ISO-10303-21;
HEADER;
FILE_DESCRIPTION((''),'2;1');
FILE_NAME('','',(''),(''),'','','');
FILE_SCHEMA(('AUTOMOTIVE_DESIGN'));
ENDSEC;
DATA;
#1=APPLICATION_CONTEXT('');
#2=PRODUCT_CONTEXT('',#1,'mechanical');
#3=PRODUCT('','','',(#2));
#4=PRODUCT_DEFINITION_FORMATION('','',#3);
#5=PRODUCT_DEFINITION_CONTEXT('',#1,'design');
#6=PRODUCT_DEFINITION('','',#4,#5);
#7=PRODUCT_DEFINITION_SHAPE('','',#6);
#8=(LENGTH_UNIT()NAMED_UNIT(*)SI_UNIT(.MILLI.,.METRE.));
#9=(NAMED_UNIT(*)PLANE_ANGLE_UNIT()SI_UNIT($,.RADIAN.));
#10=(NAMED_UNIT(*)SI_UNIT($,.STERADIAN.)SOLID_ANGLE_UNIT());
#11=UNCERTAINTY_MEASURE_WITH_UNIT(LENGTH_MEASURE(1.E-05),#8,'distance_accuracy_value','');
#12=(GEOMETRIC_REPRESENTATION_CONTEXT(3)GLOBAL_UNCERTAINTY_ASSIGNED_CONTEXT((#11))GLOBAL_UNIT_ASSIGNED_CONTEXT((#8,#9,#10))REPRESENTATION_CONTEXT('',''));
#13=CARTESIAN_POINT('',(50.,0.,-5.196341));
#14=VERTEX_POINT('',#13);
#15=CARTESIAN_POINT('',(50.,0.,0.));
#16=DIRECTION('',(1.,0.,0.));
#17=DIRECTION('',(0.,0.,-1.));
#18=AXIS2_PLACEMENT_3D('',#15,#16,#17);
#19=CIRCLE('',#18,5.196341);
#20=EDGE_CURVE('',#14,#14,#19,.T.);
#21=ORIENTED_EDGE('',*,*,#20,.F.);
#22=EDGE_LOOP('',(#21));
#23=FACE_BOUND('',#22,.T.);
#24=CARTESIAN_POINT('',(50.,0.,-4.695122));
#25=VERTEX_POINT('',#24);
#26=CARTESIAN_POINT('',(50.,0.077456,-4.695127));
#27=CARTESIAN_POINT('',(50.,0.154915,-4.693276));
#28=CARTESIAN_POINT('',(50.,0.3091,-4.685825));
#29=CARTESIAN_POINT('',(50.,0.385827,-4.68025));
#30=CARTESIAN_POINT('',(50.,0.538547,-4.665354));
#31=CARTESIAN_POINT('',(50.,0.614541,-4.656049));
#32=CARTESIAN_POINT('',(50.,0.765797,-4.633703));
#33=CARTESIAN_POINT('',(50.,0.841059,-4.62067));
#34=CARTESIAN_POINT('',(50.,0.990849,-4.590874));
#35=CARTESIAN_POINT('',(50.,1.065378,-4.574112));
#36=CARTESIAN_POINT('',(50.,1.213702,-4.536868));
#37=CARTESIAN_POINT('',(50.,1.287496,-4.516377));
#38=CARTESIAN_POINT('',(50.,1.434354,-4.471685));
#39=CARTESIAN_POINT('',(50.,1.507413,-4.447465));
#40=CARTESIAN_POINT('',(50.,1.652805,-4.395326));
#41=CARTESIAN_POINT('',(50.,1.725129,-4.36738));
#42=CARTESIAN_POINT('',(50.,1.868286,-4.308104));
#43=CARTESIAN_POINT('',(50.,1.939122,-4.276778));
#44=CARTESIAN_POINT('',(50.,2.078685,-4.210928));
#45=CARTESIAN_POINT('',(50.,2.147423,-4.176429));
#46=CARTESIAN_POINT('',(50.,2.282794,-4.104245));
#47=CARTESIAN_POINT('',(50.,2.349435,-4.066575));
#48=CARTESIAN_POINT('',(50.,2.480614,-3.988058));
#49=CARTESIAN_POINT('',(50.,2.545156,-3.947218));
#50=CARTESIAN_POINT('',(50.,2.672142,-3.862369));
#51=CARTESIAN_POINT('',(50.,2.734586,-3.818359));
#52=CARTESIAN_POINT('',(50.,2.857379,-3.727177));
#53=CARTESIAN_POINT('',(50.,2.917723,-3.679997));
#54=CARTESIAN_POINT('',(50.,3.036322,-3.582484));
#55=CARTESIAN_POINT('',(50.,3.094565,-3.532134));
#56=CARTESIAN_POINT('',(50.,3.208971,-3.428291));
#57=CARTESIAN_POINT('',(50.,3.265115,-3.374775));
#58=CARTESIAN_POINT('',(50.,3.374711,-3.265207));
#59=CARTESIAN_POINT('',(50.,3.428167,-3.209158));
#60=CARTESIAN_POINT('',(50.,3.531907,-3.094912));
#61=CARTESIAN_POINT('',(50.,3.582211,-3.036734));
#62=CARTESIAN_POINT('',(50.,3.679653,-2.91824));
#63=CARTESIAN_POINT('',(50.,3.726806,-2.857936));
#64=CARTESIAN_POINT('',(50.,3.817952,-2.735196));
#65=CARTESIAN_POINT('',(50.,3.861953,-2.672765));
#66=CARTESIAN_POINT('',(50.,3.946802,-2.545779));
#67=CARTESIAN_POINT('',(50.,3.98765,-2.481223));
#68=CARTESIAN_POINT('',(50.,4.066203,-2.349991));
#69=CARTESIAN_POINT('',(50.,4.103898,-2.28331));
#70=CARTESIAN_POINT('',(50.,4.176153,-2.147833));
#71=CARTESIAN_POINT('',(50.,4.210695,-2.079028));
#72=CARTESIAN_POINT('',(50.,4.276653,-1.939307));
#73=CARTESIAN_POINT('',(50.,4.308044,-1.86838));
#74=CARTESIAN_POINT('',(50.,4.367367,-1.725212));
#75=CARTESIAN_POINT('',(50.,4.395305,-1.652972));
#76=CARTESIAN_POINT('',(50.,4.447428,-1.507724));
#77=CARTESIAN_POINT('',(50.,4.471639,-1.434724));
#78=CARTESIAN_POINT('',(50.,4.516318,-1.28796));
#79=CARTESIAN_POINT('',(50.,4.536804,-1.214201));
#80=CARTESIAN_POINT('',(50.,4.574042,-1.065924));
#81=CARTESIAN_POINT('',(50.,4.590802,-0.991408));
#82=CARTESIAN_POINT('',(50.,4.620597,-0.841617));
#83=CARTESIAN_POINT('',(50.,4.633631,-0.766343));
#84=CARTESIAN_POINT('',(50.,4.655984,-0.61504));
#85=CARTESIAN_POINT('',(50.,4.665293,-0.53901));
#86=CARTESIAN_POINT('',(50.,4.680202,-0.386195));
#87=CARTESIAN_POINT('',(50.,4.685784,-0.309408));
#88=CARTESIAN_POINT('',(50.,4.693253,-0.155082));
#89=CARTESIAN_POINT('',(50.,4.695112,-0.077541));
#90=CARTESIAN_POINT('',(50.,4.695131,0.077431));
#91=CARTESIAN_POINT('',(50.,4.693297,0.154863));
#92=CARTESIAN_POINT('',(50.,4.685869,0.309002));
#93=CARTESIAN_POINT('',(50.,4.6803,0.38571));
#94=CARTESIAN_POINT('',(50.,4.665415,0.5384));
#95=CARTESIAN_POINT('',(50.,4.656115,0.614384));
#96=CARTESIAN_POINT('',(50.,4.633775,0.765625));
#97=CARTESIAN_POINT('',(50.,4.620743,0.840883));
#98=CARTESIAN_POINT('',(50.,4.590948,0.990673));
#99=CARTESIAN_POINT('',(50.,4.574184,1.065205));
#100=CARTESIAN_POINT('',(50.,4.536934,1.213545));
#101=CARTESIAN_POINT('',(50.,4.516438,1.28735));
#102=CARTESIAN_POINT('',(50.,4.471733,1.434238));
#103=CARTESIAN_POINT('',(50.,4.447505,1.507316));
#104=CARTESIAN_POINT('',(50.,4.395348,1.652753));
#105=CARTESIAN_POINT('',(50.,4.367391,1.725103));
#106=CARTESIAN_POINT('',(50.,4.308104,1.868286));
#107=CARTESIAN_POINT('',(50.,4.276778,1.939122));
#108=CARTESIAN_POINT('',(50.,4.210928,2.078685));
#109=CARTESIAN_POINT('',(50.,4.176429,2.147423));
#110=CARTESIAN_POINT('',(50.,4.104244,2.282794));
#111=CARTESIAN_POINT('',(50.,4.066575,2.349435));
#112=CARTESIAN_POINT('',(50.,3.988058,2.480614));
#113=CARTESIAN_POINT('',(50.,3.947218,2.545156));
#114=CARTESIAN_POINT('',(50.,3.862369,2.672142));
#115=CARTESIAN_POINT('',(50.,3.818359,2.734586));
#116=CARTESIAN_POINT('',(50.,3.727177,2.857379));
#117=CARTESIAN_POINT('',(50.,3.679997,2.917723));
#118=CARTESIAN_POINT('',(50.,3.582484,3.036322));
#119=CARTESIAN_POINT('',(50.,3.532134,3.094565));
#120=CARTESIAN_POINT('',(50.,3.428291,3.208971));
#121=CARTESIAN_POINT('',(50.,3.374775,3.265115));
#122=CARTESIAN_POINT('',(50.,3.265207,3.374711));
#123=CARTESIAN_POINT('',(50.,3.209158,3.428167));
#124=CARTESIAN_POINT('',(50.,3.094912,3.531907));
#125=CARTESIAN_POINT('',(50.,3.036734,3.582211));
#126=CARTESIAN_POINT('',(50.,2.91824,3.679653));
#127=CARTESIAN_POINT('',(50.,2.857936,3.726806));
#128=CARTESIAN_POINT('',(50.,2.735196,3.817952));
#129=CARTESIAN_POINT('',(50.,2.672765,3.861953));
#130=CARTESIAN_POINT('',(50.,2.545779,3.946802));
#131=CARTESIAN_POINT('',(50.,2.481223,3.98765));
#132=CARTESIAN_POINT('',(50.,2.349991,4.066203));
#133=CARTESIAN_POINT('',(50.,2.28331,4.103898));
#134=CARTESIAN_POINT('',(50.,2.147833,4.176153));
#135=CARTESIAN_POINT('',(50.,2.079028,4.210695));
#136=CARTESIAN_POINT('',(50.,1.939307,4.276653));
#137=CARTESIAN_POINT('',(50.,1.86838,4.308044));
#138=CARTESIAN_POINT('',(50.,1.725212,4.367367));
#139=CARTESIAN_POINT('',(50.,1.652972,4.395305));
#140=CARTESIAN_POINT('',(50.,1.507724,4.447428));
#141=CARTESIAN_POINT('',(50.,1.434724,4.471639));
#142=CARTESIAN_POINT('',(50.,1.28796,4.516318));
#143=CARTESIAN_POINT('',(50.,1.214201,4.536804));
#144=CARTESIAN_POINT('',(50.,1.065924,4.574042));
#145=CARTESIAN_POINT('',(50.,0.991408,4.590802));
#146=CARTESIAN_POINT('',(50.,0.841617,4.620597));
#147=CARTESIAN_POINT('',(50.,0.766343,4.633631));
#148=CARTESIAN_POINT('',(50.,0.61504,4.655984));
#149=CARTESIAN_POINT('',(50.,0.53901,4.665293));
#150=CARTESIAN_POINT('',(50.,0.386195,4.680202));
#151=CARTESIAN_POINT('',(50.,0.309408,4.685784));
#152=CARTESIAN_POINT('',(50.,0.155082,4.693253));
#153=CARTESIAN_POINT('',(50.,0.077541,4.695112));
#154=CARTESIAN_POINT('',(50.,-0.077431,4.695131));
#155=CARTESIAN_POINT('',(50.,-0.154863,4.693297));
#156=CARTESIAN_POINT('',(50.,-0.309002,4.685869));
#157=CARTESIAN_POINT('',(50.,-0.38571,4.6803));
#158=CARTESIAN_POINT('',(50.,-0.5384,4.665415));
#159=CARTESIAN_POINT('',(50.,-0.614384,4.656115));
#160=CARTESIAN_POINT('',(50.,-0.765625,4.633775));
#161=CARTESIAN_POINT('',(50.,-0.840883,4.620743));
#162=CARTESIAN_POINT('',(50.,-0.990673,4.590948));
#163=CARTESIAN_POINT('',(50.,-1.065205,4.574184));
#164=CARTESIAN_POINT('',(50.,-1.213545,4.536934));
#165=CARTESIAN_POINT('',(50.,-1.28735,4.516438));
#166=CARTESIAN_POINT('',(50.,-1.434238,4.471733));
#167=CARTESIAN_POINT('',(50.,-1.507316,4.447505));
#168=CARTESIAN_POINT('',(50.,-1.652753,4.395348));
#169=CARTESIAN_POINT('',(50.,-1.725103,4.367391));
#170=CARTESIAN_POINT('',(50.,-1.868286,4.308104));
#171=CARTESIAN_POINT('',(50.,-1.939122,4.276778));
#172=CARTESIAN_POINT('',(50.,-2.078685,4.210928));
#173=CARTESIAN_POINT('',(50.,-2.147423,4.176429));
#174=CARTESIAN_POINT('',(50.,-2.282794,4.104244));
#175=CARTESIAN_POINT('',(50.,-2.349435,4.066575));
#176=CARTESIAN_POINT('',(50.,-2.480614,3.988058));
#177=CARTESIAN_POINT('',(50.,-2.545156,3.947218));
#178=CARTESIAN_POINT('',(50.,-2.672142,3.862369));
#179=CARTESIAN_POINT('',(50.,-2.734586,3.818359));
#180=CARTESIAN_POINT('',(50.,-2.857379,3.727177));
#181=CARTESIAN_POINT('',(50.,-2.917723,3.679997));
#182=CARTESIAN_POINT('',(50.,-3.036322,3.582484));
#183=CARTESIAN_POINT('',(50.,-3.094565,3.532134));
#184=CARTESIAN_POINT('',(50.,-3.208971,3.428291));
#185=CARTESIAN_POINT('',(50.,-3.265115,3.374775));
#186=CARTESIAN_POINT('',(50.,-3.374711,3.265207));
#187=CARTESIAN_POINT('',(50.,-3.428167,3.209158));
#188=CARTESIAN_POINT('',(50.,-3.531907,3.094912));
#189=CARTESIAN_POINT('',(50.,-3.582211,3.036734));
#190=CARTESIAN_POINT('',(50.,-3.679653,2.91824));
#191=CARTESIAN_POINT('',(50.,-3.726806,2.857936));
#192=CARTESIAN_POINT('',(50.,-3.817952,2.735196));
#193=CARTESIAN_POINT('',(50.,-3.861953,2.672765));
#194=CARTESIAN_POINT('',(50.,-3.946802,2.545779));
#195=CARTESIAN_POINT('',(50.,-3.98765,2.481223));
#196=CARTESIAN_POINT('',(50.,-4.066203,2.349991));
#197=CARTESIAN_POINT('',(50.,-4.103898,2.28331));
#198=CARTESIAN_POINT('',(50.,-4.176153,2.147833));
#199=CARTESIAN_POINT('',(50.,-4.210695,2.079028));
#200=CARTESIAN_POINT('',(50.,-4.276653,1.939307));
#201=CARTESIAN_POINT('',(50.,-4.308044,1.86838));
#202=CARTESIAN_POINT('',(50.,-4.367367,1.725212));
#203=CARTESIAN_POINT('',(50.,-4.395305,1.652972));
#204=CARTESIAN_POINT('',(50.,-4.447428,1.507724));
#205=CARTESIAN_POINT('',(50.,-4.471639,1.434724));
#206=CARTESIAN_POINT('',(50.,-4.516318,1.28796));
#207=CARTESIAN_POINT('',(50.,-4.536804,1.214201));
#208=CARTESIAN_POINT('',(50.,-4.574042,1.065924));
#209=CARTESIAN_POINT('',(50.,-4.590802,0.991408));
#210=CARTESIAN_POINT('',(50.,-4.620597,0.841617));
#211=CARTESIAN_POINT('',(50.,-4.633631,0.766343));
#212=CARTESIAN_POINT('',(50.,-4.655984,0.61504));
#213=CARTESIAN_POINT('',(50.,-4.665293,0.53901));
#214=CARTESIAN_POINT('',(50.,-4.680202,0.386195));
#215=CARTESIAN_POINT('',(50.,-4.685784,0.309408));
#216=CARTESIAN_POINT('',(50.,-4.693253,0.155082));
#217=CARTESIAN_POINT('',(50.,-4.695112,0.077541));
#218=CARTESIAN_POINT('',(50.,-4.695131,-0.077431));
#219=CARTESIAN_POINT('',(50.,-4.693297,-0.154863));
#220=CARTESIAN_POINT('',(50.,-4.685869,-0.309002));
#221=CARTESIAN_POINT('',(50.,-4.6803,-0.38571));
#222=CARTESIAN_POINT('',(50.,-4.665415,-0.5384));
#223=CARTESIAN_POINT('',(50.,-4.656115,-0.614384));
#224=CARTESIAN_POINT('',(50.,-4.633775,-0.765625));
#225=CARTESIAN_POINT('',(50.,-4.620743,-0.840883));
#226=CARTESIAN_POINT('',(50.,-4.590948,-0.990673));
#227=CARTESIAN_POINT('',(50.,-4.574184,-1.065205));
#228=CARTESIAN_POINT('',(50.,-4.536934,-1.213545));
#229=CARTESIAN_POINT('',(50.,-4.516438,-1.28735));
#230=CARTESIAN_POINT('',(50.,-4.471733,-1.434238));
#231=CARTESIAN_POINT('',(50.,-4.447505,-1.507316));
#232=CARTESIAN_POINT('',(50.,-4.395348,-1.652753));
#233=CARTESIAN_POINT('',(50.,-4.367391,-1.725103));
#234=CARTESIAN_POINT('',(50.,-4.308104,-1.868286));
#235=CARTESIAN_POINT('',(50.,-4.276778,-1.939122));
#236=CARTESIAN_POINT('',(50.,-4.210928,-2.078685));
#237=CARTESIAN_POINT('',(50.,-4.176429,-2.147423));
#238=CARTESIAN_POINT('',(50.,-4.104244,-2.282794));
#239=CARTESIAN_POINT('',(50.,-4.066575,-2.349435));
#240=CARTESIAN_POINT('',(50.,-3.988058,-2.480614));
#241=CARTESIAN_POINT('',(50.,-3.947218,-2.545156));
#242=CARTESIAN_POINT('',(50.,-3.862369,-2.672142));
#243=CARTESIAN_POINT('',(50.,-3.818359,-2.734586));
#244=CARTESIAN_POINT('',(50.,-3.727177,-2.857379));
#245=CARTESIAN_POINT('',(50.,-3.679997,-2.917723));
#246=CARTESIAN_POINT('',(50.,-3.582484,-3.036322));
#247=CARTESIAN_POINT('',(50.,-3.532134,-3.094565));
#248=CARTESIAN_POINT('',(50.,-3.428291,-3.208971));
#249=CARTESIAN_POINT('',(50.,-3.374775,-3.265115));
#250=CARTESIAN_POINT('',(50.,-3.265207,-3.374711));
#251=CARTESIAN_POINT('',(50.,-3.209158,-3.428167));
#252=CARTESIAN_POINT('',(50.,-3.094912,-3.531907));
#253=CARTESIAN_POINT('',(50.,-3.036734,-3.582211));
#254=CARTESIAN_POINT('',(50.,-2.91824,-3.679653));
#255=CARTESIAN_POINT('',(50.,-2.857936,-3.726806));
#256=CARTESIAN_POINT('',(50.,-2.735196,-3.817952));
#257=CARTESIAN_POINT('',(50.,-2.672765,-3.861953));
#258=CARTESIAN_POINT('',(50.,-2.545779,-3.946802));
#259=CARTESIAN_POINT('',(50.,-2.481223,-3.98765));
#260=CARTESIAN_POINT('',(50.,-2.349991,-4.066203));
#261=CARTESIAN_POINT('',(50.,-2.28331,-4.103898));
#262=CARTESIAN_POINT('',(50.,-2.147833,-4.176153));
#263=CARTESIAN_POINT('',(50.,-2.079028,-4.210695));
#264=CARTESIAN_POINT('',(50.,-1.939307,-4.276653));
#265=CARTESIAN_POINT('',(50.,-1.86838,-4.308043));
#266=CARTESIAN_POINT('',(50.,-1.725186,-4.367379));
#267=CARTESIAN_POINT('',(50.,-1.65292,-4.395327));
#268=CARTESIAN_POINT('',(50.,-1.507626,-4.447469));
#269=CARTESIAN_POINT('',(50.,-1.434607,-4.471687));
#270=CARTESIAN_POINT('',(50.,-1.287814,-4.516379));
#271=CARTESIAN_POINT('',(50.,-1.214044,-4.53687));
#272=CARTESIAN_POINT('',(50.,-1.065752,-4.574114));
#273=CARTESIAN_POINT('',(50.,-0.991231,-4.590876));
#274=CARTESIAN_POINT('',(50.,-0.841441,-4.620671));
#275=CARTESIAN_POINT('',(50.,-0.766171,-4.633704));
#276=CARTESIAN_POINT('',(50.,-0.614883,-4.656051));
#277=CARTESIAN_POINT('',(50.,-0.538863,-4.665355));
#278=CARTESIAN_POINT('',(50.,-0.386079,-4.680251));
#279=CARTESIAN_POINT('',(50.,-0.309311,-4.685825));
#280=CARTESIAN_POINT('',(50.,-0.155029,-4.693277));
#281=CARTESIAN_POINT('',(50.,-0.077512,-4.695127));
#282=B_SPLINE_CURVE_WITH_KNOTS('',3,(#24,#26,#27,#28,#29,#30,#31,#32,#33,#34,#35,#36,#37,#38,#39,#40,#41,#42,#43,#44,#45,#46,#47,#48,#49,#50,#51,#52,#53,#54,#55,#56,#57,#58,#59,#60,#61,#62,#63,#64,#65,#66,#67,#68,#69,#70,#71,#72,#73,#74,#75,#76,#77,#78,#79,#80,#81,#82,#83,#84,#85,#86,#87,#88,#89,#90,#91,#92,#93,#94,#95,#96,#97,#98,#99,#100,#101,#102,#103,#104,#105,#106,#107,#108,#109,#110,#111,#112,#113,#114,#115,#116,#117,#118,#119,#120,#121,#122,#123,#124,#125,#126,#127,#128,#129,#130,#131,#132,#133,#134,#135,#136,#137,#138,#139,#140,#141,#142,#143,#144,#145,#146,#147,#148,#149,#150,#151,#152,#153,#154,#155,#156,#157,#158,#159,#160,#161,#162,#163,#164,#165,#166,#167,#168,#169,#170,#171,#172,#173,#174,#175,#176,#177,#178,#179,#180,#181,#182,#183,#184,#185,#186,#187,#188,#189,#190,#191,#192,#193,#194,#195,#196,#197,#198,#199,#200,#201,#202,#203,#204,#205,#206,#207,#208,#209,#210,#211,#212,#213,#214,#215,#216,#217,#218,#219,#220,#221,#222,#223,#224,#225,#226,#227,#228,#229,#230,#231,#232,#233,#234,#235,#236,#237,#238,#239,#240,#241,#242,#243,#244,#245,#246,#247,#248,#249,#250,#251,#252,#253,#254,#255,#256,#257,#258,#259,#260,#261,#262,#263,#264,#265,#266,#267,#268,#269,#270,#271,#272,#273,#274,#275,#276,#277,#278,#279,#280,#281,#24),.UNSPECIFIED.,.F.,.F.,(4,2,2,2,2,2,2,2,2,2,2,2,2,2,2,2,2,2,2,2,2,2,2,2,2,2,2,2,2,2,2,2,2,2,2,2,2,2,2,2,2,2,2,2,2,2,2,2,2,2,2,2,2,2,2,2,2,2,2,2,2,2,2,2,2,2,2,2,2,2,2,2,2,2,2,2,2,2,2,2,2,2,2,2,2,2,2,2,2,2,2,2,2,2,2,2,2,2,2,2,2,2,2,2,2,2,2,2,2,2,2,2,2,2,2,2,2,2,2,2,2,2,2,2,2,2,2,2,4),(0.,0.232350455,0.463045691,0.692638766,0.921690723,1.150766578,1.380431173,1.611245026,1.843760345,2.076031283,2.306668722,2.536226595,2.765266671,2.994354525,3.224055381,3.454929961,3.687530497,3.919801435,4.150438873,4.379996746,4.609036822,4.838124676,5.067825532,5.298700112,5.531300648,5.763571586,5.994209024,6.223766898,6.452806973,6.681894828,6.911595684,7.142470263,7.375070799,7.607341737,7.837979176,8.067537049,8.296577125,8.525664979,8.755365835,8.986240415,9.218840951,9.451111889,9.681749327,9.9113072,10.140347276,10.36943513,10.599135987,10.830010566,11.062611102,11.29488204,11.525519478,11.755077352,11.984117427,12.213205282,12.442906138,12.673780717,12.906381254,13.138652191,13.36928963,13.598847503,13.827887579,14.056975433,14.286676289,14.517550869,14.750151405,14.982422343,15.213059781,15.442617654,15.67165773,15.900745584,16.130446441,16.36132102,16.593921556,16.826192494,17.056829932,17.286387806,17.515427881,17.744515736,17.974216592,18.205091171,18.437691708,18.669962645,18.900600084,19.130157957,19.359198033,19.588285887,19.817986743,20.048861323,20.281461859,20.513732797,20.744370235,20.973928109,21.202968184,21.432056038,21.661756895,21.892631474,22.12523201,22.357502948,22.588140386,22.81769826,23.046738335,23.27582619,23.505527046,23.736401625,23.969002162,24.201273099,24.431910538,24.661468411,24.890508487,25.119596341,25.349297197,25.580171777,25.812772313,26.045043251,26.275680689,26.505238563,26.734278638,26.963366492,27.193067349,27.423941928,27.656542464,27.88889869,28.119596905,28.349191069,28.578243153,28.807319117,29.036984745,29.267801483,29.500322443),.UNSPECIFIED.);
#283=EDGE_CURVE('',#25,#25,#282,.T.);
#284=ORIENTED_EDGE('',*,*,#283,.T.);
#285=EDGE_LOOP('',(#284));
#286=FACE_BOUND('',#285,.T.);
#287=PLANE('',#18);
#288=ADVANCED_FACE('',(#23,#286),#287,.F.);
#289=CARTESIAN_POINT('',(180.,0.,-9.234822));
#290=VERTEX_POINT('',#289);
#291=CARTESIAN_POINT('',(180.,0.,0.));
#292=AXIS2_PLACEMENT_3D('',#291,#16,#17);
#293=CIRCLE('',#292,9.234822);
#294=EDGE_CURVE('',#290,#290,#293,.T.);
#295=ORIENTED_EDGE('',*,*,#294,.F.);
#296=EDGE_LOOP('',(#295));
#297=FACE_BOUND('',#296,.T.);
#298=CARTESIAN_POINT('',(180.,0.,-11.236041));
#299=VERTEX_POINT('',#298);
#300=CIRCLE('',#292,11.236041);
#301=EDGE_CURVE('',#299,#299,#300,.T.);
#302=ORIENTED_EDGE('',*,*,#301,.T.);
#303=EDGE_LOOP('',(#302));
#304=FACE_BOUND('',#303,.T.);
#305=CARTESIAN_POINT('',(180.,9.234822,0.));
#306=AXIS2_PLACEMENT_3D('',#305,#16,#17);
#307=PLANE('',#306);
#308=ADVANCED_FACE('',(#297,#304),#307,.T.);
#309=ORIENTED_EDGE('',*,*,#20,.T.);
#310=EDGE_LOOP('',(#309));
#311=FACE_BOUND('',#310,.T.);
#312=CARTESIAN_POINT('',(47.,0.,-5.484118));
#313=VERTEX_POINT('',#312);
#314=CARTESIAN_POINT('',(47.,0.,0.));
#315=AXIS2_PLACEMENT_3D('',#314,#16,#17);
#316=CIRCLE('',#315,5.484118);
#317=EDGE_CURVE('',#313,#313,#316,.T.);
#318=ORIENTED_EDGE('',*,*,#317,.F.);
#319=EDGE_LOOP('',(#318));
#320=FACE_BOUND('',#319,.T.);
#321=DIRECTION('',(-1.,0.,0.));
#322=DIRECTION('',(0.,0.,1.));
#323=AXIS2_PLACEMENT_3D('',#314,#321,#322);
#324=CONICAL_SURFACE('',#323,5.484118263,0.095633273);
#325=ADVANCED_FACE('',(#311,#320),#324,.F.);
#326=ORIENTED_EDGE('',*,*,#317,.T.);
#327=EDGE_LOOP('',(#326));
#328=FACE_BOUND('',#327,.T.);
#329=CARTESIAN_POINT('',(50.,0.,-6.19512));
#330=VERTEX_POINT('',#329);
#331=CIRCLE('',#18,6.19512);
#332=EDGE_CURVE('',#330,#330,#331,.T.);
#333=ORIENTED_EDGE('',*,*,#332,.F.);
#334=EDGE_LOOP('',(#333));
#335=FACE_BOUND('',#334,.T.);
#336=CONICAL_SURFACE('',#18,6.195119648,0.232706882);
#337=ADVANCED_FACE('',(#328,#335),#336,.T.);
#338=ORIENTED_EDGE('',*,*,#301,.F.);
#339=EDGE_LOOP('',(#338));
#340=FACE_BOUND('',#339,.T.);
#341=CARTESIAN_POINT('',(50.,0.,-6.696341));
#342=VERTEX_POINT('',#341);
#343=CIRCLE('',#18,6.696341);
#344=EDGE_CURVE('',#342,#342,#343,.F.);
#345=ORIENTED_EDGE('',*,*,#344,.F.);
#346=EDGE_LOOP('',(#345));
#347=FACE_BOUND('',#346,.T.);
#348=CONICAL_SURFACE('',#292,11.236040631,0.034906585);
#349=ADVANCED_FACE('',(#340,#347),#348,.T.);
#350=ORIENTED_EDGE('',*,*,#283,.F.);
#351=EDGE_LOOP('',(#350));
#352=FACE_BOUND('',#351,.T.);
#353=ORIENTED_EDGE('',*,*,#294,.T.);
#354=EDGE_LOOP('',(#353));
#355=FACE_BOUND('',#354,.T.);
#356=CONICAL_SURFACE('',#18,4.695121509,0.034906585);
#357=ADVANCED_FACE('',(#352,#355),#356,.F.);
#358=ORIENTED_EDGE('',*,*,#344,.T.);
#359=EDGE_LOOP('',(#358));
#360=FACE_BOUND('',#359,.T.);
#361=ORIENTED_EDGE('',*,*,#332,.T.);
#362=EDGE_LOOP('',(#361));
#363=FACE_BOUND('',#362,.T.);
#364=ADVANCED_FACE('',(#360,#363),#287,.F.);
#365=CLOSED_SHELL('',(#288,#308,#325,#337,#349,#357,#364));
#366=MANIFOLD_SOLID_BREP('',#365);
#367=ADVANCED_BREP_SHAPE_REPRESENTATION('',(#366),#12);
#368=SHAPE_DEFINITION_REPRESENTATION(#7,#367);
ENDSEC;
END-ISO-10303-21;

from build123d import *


with BuildPart() as part:
    # Sketch2 → Revolve2 (revolve)
    with BuildSketch(Plane.XY, mode=Mode.PRIVATE) as revolve2_sk:
        with BuildLine():
            Line((0, 1.2), (50, 4.696340597))
            Line((50, 4.696340597), (50, 6.696340597))
            Line((50, 6.696340597), (1.851094968, 3.32944117))
            ThreePointArc((1.851094968, 3.32944117), (0.484525778, 2.648094905), (0, 1.2))
        make_face()
    revolve(revolve2_sk.sketch.rotate(Axis((-19.275847123, 0, 0), (1, 0, 0)), 90), axis=Axis((-19.275847123, 0, 0), (1, 0, 0)))

    # Sketch3 → Revolve3 (revolve)
    with BuildSketch(Plane.XY, mode=Mode.PRIVATE) as revolve3_sk:
        Polygon((50, 4.695121509), (180, 9.234821543), (180, 11.236040631), (50, 6.696340597), align=None)
    revolve(revolve3_sk.sketch.rotate(Axis((50, 0, 0), (-1, 0, 0)), 90), axis=Axis((50, 0, 0), (-1, 0, 0)))

    # SurfaceCut3
    split(bisect_by=Plane(origin=(50, 0, 0), x_dir=(0, 0, -1), z_dir=(1, 0, 0)), keep=Keep.TOP)

    # Sketch4 → Revolve4 (revolve)
    with BuildSketch(Plane.XY, mode=Mode.PRIVATE) as revolve4_sk:
        Polygon((50, 6.195119648), (47, 5.484118263), (50, 5.196340597), align=None)
    revolve(revolve4_sk.sketch.rotate(Axis((50, 0, 0), (-1, 0, 0)), 90), axis=Axis((50, 0, 0), (-1, 0, 0)))


solid = part.part
